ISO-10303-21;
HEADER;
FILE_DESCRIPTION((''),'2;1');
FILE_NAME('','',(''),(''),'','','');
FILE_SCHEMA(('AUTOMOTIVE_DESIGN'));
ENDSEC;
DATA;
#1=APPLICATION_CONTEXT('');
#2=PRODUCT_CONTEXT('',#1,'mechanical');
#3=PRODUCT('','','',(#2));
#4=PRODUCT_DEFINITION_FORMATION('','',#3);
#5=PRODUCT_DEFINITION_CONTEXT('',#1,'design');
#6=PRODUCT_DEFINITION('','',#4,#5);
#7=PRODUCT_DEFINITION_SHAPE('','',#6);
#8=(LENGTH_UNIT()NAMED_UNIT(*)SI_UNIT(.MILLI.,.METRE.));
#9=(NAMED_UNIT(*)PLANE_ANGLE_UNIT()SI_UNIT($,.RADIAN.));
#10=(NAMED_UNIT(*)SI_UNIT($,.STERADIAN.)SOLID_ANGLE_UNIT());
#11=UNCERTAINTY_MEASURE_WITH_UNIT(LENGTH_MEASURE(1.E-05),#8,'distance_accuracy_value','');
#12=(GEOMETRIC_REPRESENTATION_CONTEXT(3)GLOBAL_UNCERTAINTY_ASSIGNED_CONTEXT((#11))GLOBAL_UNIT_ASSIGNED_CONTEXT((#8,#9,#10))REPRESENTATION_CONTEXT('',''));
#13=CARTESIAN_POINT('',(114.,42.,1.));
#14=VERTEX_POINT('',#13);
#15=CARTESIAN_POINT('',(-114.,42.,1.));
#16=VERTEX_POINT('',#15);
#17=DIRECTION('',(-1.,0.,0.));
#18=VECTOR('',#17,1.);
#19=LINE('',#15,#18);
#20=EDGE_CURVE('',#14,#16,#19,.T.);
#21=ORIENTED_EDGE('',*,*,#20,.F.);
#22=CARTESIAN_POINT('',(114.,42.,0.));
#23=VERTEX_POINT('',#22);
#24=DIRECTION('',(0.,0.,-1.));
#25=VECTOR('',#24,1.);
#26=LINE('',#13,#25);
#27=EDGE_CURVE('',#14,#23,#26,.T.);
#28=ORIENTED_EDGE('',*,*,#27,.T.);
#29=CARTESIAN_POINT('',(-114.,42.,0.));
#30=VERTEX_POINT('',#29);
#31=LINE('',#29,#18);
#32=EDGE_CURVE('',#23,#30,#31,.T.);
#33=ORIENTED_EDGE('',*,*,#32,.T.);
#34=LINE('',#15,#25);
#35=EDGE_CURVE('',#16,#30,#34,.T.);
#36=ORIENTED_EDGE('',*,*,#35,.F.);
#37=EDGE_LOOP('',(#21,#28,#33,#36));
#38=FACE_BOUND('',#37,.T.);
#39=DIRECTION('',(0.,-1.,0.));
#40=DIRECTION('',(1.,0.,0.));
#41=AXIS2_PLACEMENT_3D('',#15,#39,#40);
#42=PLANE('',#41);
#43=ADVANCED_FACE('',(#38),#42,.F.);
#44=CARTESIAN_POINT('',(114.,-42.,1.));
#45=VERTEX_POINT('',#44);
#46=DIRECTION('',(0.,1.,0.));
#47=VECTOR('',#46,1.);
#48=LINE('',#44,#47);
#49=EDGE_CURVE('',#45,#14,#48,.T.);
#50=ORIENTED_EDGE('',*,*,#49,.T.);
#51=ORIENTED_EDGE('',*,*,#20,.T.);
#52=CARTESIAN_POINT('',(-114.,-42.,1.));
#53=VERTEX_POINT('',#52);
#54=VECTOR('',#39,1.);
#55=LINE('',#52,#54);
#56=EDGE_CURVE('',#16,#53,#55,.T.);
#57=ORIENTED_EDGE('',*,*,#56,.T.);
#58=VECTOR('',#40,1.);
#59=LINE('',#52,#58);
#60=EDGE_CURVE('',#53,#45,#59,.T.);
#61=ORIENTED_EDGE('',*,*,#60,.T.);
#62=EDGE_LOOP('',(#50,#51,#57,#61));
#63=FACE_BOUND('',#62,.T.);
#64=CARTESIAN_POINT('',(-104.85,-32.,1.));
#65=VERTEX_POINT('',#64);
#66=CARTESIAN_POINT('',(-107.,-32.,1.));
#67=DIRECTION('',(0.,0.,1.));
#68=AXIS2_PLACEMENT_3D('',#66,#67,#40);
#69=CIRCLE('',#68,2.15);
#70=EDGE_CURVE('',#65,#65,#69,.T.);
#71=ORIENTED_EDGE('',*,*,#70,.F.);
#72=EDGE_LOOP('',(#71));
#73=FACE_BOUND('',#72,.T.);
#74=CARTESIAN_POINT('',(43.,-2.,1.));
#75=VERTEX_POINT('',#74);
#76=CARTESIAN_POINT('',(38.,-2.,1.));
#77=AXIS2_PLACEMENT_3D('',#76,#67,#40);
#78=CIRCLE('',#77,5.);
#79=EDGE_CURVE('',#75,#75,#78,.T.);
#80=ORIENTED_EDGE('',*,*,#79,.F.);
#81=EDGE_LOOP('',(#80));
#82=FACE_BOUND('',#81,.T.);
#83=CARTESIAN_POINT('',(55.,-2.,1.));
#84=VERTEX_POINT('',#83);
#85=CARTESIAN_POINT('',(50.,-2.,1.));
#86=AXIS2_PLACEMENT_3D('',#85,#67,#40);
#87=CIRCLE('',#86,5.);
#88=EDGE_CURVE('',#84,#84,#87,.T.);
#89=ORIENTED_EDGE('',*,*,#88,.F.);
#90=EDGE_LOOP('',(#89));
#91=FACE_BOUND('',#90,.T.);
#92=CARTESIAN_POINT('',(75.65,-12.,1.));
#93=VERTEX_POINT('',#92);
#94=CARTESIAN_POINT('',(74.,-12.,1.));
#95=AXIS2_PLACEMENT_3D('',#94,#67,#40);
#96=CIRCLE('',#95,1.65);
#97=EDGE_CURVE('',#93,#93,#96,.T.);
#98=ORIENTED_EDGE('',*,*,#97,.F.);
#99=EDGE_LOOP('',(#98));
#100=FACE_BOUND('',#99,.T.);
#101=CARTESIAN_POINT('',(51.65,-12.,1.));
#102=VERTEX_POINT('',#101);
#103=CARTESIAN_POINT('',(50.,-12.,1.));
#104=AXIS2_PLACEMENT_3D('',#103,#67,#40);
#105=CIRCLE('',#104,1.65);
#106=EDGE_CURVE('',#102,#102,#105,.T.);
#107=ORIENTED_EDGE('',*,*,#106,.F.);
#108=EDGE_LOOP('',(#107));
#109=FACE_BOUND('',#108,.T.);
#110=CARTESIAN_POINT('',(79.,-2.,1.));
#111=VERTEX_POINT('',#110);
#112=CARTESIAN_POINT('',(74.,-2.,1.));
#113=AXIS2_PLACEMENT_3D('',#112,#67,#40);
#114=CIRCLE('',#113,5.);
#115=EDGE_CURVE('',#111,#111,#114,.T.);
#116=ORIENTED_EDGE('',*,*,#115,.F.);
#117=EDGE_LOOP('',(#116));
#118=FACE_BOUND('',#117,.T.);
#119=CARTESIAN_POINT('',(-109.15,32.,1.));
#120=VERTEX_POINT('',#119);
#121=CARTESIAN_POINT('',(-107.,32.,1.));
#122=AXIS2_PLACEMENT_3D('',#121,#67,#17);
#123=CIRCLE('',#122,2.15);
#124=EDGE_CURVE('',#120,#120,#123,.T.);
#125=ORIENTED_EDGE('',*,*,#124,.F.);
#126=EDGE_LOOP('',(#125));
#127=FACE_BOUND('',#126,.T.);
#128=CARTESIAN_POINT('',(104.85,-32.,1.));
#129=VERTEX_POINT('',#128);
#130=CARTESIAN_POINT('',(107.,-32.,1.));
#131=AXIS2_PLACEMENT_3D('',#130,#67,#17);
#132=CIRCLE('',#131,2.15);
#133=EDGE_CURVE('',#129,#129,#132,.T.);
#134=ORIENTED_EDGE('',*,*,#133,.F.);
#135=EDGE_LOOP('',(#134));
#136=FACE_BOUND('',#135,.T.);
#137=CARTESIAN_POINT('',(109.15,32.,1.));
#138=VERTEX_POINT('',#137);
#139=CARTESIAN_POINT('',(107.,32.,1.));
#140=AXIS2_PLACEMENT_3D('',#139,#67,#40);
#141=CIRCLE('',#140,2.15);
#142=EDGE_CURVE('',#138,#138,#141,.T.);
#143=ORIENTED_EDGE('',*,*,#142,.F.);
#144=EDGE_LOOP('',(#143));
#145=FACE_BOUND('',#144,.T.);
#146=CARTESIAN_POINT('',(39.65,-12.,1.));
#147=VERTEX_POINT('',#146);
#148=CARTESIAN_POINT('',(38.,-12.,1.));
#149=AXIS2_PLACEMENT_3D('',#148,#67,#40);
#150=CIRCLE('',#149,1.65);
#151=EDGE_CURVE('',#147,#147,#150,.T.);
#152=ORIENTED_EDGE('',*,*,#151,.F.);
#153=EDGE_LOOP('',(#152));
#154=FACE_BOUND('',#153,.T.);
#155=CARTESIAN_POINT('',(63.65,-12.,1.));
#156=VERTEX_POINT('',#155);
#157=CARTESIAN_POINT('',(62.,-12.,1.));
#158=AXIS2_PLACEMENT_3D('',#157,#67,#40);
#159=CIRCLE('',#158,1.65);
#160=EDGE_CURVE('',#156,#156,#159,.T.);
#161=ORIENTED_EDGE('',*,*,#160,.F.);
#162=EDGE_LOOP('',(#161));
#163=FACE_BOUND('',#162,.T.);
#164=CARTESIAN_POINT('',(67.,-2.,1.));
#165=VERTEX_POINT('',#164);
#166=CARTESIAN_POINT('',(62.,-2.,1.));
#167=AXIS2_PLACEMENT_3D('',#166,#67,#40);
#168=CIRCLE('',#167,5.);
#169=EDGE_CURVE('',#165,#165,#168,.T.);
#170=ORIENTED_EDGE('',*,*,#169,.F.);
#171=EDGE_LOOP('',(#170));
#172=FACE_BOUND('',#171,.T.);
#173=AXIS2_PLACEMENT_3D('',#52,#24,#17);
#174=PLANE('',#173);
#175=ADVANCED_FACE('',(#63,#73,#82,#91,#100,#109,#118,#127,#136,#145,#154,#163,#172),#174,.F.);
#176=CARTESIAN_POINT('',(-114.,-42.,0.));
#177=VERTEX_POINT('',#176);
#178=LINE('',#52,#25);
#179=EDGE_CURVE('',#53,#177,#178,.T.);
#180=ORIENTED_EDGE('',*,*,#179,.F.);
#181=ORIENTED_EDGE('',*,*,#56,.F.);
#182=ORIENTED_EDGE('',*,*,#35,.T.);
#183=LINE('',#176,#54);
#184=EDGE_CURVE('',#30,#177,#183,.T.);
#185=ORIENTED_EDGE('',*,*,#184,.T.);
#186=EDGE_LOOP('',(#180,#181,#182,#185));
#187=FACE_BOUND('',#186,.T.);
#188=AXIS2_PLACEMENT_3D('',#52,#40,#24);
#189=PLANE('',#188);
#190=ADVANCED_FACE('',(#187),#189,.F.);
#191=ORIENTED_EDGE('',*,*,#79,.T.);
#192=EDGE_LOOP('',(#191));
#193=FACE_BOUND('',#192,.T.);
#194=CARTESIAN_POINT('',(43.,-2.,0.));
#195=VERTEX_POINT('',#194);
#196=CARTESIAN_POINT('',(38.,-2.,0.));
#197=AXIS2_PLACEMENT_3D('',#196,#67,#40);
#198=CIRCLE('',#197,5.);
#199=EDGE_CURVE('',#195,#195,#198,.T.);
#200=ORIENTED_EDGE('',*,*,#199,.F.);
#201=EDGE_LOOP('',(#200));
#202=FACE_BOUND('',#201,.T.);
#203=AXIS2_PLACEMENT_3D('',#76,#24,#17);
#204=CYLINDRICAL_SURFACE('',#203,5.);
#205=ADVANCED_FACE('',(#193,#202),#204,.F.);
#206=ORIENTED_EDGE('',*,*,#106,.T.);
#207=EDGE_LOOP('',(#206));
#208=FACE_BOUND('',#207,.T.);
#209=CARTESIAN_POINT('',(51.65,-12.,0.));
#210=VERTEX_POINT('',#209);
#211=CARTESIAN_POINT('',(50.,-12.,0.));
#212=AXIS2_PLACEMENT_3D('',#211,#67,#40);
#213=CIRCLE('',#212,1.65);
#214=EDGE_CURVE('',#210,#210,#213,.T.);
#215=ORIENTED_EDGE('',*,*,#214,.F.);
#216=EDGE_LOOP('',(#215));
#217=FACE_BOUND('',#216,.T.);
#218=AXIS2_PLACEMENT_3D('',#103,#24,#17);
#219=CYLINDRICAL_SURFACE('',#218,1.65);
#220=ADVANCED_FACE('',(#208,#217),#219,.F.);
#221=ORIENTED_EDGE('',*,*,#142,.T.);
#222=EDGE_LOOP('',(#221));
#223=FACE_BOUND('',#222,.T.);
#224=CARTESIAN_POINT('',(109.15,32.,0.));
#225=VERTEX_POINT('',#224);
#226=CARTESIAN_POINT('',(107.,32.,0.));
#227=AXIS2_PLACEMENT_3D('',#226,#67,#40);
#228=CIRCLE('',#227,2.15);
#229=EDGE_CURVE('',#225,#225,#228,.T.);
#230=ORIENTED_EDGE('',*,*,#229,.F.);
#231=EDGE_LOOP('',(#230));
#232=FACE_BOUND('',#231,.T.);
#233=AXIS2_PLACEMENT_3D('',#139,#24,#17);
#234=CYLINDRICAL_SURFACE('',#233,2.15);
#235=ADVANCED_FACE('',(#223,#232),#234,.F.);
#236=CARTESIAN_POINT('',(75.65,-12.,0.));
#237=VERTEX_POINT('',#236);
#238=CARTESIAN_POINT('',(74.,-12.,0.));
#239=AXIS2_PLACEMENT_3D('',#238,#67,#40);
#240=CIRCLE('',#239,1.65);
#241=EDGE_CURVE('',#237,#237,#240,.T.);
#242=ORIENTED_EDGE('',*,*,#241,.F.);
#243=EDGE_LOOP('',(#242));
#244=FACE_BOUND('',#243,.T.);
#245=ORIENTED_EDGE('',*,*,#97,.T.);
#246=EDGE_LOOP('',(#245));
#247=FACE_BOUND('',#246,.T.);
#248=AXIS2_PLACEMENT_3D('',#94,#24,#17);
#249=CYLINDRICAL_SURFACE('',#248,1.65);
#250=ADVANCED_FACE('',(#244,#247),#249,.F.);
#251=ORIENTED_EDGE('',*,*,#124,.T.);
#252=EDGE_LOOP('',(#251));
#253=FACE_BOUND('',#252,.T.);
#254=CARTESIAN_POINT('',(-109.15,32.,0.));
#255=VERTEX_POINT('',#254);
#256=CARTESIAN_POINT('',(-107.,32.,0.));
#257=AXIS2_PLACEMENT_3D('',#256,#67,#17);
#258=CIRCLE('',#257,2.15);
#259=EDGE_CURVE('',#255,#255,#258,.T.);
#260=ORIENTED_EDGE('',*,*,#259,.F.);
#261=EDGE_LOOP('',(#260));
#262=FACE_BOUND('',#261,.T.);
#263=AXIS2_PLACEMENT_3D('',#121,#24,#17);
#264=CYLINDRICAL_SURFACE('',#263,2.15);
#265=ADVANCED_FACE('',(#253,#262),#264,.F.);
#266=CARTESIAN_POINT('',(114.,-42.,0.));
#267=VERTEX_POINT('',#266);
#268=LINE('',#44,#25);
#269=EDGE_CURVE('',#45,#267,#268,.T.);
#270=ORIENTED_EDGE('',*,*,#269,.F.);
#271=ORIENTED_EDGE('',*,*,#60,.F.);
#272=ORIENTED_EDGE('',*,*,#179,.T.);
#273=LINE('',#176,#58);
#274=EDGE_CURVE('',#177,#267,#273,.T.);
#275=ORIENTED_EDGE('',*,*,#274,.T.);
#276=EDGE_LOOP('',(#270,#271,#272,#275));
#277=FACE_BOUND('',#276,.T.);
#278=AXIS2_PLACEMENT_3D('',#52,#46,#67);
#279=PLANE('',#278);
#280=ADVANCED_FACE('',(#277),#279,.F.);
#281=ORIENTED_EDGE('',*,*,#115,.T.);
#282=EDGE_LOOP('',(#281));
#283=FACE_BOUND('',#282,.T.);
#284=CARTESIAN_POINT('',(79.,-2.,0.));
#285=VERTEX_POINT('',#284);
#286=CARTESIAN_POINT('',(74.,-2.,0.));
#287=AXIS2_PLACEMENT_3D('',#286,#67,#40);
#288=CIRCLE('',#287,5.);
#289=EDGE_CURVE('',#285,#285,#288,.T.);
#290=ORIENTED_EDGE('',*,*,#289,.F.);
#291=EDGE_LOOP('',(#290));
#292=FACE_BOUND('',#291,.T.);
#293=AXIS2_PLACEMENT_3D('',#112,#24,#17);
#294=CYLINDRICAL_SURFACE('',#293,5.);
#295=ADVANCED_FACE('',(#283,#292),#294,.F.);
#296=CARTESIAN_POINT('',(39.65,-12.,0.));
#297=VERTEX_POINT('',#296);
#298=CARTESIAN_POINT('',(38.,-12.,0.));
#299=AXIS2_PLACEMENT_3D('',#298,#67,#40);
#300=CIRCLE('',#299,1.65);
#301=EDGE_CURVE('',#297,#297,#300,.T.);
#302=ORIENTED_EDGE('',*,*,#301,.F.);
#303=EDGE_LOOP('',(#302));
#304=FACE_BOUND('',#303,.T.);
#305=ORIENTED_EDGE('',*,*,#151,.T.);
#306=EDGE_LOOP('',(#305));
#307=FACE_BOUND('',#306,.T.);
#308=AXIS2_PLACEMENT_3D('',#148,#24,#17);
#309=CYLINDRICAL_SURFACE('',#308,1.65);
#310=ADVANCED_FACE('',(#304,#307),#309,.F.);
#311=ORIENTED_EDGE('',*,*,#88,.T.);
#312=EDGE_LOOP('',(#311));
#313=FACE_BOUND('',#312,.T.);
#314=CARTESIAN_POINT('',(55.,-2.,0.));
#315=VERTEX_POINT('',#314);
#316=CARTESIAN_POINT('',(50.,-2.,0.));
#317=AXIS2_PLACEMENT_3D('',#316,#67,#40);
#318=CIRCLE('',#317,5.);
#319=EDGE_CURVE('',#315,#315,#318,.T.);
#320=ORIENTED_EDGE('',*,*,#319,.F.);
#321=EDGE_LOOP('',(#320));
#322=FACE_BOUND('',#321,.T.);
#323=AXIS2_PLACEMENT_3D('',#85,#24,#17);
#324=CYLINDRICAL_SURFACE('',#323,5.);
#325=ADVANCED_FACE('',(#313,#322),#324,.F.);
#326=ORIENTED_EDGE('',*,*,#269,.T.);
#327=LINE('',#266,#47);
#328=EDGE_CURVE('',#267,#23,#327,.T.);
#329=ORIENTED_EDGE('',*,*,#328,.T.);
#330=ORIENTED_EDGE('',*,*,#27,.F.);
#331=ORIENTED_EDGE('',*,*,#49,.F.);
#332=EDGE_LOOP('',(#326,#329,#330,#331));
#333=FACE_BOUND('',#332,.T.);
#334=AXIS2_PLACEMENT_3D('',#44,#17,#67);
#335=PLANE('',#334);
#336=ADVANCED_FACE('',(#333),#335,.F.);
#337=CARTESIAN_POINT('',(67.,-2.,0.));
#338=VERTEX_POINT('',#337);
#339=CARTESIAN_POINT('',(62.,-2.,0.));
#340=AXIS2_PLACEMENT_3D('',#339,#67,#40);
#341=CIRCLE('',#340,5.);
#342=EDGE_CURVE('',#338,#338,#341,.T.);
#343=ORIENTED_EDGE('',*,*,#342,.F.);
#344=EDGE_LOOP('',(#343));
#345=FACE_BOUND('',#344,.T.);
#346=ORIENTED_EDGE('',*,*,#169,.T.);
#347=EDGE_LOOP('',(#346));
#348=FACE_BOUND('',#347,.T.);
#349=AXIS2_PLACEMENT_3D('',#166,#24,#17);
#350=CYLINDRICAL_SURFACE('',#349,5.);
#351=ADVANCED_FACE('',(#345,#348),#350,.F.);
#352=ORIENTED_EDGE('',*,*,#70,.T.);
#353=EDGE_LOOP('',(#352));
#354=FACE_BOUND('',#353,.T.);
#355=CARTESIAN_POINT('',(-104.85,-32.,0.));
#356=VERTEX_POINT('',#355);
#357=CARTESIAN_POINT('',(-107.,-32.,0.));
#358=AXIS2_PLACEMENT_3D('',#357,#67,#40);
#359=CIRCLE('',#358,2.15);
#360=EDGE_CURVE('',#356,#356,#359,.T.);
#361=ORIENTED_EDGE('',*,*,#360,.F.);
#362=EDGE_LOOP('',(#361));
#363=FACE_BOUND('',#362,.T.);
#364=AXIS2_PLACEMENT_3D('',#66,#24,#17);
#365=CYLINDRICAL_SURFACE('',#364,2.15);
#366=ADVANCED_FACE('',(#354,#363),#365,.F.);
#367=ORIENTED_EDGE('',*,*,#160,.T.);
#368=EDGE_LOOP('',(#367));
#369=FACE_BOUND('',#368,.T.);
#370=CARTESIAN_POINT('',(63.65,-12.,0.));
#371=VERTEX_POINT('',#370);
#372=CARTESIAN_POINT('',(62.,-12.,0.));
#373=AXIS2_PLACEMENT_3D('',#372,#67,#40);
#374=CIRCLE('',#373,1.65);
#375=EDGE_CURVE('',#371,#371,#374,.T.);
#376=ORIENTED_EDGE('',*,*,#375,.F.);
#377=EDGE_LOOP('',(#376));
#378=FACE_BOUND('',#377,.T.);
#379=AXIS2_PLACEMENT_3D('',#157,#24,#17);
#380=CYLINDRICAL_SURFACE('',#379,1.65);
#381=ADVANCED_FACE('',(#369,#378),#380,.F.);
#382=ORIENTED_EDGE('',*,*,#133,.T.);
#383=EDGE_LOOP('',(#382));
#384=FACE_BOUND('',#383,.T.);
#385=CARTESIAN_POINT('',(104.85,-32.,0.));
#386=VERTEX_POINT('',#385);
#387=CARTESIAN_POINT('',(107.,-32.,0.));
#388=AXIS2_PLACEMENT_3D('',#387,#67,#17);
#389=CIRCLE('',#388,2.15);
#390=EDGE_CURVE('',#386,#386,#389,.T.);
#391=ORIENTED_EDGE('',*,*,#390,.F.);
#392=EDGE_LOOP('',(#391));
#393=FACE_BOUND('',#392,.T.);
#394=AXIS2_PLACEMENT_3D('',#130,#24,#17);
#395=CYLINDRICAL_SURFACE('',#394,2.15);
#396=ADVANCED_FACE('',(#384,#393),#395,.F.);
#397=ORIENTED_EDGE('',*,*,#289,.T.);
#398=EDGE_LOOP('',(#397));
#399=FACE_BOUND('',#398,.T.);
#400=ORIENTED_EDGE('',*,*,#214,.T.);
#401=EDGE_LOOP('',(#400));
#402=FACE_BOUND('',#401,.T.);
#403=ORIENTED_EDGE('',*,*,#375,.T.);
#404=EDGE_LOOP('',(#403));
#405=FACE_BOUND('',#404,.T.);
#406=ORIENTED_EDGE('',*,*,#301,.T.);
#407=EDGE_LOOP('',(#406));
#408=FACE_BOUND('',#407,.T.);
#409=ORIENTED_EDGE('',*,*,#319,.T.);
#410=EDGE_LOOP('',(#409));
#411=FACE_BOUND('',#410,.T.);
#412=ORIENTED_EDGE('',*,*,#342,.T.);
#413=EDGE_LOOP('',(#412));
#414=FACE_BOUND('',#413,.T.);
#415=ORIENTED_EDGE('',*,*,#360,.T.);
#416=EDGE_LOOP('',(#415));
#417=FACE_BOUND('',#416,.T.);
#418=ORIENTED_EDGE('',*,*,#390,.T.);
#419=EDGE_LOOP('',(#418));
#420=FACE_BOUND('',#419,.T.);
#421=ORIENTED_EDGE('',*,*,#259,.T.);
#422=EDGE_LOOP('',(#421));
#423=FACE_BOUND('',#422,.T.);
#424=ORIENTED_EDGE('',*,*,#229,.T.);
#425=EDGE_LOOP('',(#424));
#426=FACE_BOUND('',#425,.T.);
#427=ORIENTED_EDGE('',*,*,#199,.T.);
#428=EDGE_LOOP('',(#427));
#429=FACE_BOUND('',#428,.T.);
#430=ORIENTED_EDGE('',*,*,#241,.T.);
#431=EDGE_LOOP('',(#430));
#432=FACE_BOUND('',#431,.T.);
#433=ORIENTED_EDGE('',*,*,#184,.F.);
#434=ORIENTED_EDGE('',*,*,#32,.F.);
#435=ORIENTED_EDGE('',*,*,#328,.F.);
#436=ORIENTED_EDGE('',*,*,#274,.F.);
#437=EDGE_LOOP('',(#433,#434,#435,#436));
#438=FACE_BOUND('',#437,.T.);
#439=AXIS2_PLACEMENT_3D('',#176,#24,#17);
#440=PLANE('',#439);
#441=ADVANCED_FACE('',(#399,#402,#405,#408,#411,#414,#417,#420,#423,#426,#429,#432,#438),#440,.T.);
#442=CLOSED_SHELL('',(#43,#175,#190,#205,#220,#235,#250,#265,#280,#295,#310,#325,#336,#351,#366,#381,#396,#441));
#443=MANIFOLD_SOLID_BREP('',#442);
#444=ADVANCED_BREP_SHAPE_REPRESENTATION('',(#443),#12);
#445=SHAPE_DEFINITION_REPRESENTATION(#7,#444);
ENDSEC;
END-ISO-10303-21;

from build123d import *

# Parameters (mm, degrees)
SKETCH_1_W      = 228
SKETCH_1_H      = 84
SKETCH_1_R      = 5
SKETCH_1_R_2    = 1.65
SKETCH_1_R_3    = 2.15
EXTRUDE_1_DEPTH = 1


with BuildPart() as part:
    # Эскиз1 → Вытянуть1 (new body)
    with BuildSketch(Plane.XY):
        Rectangle(SKETCH_1_W, SKETCH_1_H)
        with Locations((74, -2)):
            Circle(SKETCH_1_R, mode=Mode.SUBTRACT)
        with Locations((74, -12)):
            Circle(SKETCH_1_R_2, mode=Mode.SUBTRACT)
        with Locations((62, -2)):
            Circle(SKETCH_1_R, mode=Mode.SUBTRACT)
        with Locations((62, -12)):
            Circle(SKETCH_1_R_2, mode=Mode.SUBTRACT)
        with Locations((50, -2)):
            Circle(SKETCH_1_R, mode=Mode.SUBTRACT)
        with Locations((50, -12)):
            Circle(SKETCH_1_R_2, mode=Mode.SUBTRACT)
        with Locations((38, -2)):
            Circle(SKETCH_1_R, mode=Mode.SUBTRACT)
        with Locations((38, -12)):
            Circle(SKETCH_1_R_2, mode=Mode.SUBTRACT)
        with Locations((107, 32)):
            Circle(SKETCH_1_R_3, mode=Mode.SUBTRACT)
        with Locations(Location((-107, 32, 0), (0, 0, 180))):
            Circle(SKETCH_1_R_3, mode=Mode.SUBTRACT)
        with Locations((-107, -32)):
            Circle(SKETCH_1_R_3, mode=Mode.SUBTRACT)
        with Locations(Location((107, -32, 0), (0, 0, 180))):
            Circle(SKETCH_1_R_3, mode=Mode.SUBTRACT)
    extrude(amount=EXTRUDE_1_DEPTH)


solid = part.part
